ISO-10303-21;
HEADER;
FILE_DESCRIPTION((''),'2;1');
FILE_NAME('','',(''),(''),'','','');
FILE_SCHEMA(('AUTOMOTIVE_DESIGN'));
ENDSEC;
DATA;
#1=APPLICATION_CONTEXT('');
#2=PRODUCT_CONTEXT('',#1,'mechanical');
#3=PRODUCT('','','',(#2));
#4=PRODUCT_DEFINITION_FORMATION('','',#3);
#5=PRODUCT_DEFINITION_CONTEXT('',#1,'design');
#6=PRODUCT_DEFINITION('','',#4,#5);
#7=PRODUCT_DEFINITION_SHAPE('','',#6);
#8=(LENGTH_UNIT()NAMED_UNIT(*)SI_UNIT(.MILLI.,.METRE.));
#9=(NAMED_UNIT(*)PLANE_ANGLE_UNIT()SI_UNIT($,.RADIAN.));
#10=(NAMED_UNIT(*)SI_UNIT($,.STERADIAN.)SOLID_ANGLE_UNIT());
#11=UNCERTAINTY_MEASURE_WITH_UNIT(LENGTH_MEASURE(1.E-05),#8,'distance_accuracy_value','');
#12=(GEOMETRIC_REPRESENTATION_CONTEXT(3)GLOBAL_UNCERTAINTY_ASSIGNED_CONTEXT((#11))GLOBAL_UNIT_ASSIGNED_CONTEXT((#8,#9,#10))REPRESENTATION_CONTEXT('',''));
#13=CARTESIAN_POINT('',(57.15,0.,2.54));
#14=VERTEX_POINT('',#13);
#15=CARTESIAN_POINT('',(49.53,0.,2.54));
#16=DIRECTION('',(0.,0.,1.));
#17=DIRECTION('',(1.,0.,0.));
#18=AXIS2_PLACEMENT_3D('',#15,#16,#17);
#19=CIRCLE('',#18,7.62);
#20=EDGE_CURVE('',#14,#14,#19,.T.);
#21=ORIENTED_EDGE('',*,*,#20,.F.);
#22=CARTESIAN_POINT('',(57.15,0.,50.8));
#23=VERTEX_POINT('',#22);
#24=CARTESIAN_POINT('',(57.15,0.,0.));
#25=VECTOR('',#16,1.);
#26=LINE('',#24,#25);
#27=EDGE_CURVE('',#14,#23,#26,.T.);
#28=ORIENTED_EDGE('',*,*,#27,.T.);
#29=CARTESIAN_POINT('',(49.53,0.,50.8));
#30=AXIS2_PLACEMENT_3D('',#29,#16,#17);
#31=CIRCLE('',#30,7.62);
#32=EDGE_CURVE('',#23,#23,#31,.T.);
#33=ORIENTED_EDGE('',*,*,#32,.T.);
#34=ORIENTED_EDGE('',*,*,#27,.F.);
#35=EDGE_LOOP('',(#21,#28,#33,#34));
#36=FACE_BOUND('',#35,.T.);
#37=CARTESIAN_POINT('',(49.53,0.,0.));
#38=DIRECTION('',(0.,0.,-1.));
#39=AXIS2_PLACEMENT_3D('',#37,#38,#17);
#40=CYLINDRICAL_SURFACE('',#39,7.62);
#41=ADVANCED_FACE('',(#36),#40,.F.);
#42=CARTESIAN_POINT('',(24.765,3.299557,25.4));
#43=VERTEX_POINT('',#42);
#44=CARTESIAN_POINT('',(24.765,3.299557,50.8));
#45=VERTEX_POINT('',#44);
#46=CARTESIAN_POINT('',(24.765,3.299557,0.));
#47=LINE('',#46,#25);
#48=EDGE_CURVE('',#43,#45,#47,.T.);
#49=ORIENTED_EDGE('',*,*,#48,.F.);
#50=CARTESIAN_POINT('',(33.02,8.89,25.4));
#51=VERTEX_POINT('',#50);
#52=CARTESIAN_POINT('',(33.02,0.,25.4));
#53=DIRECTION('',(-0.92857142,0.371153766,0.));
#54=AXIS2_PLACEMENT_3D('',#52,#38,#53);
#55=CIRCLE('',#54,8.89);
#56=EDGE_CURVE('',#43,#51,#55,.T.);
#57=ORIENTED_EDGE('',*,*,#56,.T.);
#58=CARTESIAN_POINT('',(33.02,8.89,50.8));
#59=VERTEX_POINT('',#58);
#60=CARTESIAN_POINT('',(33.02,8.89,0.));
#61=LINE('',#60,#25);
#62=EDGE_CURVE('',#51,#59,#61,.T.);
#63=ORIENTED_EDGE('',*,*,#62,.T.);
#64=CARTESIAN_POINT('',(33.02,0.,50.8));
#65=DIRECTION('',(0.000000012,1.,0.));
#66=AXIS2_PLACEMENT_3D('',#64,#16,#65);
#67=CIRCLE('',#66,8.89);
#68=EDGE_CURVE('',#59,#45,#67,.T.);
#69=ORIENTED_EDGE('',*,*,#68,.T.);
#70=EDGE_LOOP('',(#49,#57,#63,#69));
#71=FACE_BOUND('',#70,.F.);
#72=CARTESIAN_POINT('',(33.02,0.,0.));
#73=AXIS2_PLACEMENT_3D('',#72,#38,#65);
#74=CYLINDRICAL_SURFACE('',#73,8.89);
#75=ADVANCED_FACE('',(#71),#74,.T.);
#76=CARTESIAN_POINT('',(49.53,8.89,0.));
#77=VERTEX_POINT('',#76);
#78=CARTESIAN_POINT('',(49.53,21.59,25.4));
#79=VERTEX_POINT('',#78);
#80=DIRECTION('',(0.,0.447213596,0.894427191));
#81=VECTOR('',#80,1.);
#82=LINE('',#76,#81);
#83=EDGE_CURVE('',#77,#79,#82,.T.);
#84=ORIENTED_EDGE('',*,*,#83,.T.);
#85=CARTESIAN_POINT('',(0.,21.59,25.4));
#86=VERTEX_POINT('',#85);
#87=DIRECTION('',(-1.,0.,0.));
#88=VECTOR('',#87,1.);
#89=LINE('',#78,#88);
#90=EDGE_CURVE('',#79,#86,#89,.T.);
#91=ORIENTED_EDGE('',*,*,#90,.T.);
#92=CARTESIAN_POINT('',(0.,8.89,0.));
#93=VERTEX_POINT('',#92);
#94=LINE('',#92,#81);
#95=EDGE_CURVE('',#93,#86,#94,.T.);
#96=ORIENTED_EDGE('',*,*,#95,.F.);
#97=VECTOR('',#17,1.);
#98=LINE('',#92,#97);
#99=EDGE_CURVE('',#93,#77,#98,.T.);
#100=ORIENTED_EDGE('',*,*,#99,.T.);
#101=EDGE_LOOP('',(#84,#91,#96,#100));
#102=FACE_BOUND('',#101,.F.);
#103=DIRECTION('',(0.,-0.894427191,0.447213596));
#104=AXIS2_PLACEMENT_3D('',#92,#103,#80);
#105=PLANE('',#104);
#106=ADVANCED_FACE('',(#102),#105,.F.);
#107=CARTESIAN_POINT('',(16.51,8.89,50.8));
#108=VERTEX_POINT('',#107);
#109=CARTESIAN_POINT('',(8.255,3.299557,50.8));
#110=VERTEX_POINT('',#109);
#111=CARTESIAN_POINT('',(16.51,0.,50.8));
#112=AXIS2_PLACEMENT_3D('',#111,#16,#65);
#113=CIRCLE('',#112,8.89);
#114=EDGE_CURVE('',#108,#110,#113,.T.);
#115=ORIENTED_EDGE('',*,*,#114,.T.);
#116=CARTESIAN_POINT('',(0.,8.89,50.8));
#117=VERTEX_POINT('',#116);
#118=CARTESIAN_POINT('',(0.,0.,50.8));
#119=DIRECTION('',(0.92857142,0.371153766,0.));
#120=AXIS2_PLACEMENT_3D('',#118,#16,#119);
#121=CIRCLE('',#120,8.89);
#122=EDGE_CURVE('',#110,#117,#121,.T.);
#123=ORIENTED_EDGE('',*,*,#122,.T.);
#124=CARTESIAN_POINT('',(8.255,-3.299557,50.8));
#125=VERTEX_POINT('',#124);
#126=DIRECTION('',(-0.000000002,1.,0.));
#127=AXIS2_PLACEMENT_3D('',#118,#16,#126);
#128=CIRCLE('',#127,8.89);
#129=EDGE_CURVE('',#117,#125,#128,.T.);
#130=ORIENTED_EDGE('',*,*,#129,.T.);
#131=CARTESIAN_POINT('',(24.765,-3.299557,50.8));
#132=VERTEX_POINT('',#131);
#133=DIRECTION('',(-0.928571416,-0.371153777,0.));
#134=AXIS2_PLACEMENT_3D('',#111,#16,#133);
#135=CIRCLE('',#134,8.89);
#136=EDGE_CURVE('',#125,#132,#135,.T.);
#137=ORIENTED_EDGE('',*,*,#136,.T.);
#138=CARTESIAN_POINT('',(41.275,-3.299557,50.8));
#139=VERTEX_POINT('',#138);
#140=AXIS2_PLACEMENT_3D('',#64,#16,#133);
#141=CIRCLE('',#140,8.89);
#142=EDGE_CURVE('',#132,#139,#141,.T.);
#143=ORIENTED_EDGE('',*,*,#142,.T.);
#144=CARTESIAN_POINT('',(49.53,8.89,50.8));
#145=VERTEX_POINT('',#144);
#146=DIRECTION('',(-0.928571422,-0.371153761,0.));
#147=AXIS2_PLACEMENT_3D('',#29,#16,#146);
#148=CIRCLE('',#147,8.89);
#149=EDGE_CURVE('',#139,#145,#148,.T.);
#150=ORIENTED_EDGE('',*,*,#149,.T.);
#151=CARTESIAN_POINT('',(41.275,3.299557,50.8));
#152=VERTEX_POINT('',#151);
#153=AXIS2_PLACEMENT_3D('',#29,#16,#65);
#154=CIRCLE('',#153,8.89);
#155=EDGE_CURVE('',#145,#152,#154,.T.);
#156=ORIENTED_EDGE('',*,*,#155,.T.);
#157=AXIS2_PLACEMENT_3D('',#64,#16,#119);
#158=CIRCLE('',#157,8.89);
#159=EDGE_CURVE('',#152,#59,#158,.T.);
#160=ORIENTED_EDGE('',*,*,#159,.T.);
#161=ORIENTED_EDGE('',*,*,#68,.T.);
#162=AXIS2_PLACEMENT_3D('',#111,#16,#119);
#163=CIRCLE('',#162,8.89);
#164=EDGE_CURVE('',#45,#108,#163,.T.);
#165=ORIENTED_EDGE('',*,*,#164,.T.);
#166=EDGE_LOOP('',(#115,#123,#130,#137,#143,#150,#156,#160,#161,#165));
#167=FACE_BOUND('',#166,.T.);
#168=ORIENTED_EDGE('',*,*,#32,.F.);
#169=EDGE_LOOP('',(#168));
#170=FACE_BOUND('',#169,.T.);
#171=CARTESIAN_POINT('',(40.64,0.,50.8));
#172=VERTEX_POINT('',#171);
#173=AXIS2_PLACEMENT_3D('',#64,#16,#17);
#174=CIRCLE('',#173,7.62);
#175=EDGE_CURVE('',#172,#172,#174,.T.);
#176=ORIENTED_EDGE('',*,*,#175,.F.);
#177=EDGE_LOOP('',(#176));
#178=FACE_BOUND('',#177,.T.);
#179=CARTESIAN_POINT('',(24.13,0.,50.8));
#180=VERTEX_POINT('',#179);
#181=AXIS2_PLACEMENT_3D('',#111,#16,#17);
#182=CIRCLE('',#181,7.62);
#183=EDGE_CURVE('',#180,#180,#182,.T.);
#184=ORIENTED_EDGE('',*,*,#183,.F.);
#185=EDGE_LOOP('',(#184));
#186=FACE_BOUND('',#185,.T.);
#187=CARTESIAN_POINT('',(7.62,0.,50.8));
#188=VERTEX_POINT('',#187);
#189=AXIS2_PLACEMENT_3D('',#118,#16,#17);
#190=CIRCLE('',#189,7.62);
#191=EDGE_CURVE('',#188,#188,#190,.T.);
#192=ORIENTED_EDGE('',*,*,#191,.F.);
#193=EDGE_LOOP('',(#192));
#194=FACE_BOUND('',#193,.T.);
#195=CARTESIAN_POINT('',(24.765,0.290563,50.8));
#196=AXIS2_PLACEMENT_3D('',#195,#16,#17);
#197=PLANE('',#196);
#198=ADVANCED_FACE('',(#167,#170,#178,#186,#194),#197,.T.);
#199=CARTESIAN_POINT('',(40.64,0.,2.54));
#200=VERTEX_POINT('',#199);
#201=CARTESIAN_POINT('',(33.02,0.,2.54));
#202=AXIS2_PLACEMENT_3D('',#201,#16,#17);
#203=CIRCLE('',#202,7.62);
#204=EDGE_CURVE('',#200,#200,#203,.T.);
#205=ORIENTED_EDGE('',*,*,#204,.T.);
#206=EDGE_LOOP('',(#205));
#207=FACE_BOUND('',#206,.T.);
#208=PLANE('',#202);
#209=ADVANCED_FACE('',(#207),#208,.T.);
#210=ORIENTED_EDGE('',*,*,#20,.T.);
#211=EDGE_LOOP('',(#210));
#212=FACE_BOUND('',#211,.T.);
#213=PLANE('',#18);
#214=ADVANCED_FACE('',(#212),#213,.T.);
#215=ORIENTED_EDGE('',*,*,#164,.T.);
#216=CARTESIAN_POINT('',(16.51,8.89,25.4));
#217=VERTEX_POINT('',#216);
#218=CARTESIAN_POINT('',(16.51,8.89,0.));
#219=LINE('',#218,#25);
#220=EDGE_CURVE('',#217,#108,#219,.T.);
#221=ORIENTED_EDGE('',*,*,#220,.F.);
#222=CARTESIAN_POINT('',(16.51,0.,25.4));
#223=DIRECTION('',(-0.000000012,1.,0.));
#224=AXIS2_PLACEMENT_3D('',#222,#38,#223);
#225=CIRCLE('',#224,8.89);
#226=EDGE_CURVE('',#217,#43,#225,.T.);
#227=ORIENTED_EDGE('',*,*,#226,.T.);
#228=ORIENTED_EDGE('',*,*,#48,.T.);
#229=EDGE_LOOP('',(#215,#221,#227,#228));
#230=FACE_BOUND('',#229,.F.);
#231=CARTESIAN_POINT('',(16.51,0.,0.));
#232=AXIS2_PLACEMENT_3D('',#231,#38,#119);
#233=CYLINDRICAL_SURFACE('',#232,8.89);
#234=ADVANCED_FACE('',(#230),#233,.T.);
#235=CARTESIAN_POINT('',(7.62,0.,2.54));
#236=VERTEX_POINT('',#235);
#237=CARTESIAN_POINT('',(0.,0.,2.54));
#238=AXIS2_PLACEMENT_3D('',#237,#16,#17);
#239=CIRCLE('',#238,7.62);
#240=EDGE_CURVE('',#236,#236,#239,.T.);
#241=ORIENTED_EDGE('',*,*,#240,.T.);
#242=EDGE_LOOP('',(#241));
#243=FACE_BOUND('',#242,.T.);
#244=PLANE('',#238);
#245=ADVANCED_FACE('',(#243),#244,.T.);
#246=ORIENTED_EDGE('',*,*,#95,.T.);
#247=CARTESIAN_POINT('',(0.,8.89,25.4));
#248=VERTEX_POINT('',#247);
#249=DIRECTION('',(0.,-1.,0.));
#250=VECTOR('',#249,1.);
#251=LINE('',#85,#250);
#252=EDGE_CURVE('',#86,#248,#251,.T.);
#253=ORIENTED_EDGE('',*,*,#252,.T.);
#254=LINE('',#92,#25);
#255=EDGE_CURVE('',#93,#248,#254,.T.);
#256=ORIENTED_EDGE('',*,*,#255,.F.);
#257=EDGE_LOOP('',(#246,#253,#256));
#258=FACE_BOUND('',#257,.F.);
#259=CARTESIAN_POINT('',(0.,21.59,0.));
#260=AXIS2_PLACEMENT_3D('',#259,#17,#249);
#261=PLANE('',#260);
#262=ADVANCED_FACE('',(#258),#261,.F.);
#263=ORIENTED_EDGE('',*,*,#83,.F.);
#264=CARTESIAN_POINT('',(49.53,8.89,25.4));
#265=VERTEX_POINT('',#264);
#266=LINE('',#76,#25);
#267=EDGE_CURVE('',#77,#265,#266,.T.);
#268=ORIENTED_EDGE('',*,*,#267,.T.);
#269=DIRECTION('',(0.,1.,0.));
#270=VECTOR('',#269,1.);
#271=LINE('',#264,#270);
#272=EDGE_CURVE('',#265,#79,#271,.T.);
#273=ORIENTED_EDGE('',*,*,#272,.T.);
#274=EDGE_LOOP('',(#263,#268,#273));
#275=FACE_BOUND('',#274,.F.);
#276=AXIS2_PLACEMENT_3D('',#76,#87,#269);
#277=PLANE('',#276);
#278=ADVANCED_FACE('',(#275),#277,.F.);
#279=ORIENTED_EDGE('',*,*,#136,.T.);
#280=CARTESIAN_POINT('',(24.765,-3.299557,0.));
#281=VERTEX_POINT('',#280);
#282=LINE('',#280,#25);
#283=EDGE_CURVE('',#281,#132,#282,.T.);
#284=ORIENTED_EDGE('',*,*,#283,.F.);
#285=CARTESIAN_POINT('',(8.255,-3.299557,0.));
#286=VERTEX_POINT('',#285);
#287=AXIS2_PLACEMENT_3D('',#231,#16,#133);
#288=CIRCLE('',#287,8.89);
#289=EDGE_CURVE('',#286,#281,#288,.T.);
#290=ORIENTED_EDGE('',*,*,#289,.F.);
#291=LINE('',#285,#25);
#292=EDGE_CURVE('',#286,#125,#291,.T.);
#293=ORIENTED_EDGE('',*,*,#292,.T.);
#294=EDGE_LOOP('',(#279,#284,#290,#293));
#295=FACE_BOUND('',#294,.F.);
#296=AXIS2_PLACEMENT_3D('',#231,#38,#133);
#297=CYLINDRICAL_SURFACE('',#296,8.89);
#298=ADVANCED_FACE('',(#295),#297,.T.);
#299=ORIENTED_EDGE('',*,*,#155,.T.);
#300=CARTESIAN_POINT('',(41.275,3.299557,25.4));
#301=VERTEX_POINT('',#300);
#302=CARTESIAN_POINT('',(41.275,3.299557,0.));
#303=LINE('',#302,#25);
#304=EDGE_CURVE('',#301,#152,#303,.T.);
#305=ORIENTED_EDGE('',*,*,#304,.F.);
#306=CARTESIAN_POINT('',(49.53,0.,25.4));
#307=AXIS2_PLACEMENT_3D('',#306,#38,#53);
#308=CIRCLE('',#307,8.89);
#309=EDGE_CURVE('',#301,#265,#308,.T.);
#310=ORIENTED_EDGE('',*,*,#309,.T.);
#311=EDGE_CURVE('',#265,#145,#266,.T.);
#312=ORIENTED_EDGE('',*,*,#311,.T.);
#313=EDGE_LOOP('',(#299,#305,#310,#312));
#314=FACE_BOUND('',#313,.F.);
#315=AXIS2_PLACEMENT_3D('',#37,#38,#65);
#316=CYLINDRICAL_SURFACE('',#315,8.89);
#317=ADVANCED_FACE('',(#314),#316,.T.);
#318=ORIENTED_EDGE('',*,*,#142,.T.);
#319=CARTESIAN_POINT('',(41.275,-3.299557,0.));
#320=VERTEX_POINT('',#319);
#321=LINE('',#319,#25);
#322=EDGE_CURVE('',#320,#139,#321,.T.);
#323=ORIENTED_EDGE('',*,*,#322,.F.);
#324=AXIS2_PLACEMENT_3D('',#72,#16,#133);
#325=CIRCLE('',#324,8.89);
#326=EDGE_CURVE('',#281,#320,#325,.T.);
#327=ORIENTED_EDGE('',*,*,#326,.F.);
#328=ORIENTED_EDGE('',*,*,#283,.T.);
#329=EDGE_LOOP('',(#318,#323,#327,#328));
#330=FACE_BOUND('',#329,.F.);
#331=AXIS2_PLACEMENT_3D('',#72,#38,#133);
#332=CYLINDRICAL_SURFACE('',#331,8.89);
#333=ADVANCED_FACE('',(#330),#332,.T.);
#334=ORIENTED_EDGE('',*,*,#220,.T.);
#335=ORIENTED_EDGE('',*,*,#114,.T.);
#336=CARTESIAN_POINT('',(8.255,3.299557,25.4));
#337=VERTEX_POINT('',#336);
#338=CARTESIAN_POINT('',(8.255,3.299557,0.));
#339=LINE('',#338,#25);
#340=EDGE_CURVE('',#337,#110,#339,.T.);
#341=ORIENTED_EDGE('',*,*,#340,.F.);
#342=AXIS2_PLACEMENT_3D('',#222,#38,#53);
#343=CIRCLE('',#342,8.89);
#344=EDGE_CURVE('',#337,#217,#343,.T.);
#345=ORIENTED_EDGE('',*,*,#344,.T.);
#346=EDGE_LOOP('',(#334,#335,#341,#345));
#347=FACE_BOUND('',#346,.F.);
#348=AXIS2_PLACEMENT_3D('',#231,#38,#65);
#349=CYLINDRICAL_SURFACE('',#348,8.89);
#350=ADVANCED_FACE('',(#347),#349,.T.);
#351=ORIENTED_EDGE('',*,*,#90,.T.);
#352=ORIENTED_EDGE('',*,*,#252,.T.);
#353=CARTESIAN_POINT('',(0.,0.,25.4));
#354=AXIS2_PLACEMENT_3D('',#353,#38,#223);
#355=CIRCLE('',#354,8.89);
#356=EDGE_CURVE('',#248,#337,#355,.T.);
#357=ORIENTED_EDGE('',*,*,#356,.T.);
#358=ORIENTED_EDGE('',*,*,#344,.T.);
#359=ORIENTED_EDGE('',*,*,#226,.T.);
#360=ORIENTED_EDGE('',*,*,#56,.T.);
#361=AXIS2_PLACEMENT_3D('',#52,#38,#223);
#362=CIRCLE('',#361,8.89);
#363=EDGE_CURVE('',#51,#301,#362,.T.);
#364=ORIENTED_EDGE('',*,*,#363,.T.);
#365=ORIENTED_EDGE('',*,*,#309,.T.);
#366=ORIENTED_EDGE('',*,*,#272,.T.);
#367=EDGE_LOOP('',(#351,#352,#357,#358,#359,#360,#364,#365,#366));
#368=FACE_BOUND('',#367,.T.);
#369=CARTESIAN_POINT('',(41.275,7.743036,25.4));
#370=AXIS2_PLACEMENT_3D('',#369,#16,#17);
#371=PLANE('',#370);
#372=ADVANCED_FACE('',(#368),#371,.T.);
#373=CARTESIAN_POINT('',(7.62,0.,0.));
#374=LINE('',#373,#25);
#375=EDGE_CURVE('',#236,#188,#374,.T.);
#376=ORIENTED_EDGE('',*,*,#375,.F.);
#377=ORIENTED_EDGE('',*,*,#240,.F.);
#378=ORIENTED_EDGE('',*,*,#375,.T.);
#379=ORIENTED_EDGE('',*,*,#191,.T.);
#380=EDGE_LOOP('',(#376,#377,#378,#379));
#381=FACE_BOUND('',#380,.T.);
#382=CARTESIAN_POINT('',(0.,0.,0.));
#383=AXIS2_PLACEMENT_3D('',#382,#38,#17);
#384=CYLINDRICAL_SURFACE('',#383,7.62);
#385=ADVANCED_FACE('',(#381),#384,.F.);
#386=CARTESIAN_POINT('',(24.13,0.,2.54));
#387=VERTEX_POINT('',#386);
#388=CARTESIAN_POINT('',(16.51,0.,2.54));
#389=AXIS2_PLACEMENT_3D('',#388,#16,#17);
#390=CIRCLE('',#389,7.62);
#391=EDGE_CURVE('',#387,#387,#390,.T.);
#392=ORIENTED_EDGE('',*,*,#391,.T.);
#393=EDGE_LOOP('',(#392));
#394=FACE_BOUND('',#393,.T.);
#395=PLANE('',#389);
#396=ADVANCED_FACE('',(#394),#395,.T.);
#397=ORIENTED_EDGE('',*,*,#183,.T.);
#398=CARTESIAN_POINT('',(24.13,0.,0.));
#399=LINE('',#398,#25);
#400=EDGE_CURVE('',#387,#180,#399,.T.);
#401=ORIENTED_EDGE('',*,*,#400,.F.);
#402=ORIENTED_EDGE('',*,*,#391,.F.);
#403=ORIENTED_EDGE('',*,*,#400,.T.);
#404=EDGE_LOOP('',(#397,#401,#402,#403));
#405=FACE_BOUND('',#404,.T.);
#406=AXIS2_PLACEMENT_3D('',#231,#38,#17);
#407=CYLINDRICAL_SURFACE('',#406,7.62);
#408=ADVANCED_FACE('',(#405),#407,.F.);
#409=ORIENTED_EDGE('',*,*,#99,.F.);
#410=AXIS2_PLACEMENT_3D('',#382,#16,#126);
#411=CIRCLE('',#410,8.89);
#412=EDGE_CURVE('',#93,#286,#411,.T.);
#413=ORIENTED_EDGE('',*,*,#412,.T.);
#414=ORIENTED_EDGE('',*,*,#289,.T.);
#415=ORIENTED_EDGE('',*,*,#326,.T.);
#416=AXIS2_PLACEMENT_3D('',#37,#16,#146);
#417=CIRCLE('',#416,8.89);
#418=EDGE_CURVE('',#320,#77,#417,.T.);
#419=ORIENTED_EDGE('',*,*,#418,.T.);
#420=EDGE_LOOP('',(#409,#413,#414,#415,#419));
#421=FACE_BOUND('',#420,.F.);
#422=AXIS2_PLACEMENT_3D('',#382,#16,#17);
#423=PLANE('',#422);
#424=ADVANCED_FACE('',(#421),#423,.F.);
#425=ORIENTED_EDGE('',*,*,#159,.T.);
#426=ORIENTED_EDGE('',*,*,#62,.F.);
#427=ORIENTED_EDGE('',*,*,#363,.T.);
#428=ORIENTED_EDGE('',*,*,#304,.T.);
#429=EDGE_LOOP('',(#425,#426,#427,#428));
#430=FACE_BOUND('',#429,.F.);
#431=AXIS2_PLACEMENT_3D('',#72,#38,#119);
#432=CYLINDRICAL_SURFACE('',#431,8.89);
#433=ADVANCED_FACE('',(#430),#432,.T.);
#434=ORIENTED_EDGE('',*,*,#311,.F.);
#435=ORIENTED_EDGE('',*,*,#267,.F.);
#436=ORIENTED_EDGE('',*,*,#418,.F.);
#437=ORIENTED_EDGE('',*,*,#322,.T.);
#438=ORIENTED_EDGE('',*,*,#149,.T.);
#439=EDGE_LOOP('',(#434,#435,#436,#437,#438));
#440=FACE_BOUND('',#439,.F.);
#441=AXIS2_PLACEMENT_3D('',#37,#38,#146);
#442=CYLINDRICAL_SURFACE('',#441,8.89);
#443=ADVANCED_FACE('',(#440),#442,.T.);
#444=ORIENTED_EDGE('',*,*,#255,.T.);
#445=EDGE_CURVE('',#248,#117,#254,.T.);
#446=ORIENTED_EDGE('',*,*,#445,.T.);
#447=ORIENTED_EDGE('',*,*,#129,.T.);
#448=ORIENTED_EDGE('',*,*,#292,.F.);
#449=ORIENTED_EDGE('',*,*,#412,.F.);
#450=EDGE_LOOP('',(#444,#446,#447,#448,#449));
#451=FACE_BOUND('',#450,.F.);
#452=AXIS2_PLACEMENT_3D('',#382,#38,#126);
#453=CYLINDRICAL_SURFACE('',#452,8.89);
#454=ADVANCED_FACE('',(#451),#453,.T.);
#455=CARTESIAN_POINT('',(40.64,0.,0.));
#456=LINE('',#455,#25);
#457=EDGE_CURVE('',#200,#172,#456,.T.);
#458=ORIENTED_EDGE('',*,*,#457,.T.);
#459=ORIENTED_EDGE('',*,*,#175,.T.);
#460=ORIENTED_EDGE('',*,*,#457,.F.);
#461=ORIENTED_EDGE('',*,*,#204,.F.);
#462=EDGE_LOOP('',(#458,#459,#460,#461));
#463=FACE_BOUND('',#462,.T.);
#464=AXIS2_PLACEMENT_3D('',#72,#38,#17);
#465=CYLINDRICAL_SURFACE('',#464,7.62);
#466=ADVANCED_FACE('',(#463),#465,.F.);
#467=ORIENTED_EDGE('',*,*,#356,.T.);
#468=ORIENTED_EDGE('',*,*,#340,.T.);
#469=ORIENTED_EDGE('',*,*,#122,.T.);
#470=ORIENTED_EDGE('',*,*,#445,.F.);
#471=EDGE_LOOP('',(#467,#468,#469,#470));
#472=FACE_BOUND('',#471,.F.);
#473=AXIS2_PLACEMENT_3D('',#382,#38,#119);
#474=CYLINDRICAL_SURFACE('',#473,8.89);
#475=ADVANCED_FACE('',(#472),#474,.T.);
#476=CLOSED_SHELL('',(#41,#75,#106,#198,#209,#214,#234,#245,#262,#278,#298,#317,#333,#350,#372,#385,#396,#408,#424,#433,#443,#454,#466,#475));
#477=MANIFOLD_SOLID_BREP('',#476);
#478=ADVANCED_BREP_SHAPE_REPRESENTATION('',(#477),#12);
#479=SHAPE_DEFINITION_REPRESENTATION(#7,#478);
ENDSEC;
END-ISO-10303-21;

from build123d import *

# Parameters (mm, degrees)
F0_R     = 7.62
F1_DEPTH = 50.8
F2_DEPTH = 25.4
F4_DEPTH = 61.468
F5_DEPTH = 2.54


with BuildPart() as f1:
    # F0 (on Top) → F1 (new body)
    with BuildSketch(Plane.XY):
        with BuildLine():
            ThreePointArc((16.51, 8.89), (11.525071, 7.360882), (8.255, 3.299557))
            ThreePointArc((8.255, 3.299557), (4.984929, 7.360882), (0, 8.89))
            ThreePointArc((0, 8.89), (-7.360882, -4.984929), (8.255, -3.299557))
            ThreePointArc((8.255, -3.299557), (16.51, -8.89), (24.765, -3.299557))
            ThreePointArc((24.765, -3.299557), (33.02, -8.89), (41.275, -3.299557))
            ThreePointArc((41.275, -3.299557), (56.890882, -4.984929), (49.53, 8.89))
            ThreePointArc((49.53, 8.89), (44.545071, 7.360882), (41.275, 3.299557))
            ThreePointArc((41.275, 3.299557), (38.004929, 7.360882), (33.02, 8.89))
            ThreePointArc((33.02, 8.89), (28.035071, 7.360882), (24.765, 3.299557))
            ThreePointArc((24.765, 3.299557), (21.494929, 7.360882), (16.51, 8.89))
        make_face()
        Circle(F0_R, mode=Mode.SUBTRACT)
        with Locations((16.51, 0)):
            Circle(F0_R, mode=Mode.SUBTRACT)
        with Locations((33.02, 0)):
            Circle(F0_R, mode=Mode.SUBTRACT)
        with Locations((49.53, 0)):
            Circle(F0_R, mode=Mode.SUBTRACT)
    extrude(amount=F1_DEPTH)

    # F0 (on Top) → F2 (join)
    with BuildSketch(Plane.XY):
        with BuildLine():
            Line((49.53, 8.89), (33.02, 8.89))
            ThreePointArc((33.02, 8.89), (38.004929, 7.360882), (41.275, 3.299557))
            ThreePointArc((41.275, 3.299557), (44.545071, 7.360882), (49.53, 8.89))
        make_face()
        with BuildLine():
            Line((33.02, 8.89), (16.51, 8.89))
            ThreePointArc((16.51, 8.89), (21.494929, 7.360882), (24.765, 3.299557))
            ThreePointArc((24.765, 3.299557), (28.035071, 7.360882), (33.02, 8.89))
        make_face()
        with BuildLine():
            ThreePointArc((0, 8.89), (4.984929, 7.360882), (8.255, 3.299557))
            ThreePointArc((8.255, 3.299557), (11.525071, 7.360882), (16.51, 8.89))
            Line((16.51, 8.89), (0, 8.89))
        make_face()
        Polygon((0, 21.59), (0, 8.89), (16.51, 8.89), (33.02, 8.89), (49.53, 8.89), (49.53, 21.59), align=None)
    extrude(amount=F2_DEPTH)

    # F3 (on face) → F4 (cut)
    with BuildSketch(Plane(origin=(0, 0, 0), x_dir=(0, -1, 0), z_dir=(-1, 0, 0))):
        Polygon((-8.89, 0), (-21.59, 25.4), (-21.59, 0), align=None)
    extrude(amount=-F4_DEPTH, mode=Mode.SUBTRACT)

    # F0 (on Top) → F5 (join)
    with BuildSketch(Plane.XY):
        Circle(F0_R)
        with Locations((16.51, 0)):
            Circle(F0_R)
        with Locations((33.02, 0)):
            Circle(F0_R)
        with Locations((49.53, 0)):
            Circle(F0_R)
    extrude(amount=F5_DEPTH)


solid = f1.part
